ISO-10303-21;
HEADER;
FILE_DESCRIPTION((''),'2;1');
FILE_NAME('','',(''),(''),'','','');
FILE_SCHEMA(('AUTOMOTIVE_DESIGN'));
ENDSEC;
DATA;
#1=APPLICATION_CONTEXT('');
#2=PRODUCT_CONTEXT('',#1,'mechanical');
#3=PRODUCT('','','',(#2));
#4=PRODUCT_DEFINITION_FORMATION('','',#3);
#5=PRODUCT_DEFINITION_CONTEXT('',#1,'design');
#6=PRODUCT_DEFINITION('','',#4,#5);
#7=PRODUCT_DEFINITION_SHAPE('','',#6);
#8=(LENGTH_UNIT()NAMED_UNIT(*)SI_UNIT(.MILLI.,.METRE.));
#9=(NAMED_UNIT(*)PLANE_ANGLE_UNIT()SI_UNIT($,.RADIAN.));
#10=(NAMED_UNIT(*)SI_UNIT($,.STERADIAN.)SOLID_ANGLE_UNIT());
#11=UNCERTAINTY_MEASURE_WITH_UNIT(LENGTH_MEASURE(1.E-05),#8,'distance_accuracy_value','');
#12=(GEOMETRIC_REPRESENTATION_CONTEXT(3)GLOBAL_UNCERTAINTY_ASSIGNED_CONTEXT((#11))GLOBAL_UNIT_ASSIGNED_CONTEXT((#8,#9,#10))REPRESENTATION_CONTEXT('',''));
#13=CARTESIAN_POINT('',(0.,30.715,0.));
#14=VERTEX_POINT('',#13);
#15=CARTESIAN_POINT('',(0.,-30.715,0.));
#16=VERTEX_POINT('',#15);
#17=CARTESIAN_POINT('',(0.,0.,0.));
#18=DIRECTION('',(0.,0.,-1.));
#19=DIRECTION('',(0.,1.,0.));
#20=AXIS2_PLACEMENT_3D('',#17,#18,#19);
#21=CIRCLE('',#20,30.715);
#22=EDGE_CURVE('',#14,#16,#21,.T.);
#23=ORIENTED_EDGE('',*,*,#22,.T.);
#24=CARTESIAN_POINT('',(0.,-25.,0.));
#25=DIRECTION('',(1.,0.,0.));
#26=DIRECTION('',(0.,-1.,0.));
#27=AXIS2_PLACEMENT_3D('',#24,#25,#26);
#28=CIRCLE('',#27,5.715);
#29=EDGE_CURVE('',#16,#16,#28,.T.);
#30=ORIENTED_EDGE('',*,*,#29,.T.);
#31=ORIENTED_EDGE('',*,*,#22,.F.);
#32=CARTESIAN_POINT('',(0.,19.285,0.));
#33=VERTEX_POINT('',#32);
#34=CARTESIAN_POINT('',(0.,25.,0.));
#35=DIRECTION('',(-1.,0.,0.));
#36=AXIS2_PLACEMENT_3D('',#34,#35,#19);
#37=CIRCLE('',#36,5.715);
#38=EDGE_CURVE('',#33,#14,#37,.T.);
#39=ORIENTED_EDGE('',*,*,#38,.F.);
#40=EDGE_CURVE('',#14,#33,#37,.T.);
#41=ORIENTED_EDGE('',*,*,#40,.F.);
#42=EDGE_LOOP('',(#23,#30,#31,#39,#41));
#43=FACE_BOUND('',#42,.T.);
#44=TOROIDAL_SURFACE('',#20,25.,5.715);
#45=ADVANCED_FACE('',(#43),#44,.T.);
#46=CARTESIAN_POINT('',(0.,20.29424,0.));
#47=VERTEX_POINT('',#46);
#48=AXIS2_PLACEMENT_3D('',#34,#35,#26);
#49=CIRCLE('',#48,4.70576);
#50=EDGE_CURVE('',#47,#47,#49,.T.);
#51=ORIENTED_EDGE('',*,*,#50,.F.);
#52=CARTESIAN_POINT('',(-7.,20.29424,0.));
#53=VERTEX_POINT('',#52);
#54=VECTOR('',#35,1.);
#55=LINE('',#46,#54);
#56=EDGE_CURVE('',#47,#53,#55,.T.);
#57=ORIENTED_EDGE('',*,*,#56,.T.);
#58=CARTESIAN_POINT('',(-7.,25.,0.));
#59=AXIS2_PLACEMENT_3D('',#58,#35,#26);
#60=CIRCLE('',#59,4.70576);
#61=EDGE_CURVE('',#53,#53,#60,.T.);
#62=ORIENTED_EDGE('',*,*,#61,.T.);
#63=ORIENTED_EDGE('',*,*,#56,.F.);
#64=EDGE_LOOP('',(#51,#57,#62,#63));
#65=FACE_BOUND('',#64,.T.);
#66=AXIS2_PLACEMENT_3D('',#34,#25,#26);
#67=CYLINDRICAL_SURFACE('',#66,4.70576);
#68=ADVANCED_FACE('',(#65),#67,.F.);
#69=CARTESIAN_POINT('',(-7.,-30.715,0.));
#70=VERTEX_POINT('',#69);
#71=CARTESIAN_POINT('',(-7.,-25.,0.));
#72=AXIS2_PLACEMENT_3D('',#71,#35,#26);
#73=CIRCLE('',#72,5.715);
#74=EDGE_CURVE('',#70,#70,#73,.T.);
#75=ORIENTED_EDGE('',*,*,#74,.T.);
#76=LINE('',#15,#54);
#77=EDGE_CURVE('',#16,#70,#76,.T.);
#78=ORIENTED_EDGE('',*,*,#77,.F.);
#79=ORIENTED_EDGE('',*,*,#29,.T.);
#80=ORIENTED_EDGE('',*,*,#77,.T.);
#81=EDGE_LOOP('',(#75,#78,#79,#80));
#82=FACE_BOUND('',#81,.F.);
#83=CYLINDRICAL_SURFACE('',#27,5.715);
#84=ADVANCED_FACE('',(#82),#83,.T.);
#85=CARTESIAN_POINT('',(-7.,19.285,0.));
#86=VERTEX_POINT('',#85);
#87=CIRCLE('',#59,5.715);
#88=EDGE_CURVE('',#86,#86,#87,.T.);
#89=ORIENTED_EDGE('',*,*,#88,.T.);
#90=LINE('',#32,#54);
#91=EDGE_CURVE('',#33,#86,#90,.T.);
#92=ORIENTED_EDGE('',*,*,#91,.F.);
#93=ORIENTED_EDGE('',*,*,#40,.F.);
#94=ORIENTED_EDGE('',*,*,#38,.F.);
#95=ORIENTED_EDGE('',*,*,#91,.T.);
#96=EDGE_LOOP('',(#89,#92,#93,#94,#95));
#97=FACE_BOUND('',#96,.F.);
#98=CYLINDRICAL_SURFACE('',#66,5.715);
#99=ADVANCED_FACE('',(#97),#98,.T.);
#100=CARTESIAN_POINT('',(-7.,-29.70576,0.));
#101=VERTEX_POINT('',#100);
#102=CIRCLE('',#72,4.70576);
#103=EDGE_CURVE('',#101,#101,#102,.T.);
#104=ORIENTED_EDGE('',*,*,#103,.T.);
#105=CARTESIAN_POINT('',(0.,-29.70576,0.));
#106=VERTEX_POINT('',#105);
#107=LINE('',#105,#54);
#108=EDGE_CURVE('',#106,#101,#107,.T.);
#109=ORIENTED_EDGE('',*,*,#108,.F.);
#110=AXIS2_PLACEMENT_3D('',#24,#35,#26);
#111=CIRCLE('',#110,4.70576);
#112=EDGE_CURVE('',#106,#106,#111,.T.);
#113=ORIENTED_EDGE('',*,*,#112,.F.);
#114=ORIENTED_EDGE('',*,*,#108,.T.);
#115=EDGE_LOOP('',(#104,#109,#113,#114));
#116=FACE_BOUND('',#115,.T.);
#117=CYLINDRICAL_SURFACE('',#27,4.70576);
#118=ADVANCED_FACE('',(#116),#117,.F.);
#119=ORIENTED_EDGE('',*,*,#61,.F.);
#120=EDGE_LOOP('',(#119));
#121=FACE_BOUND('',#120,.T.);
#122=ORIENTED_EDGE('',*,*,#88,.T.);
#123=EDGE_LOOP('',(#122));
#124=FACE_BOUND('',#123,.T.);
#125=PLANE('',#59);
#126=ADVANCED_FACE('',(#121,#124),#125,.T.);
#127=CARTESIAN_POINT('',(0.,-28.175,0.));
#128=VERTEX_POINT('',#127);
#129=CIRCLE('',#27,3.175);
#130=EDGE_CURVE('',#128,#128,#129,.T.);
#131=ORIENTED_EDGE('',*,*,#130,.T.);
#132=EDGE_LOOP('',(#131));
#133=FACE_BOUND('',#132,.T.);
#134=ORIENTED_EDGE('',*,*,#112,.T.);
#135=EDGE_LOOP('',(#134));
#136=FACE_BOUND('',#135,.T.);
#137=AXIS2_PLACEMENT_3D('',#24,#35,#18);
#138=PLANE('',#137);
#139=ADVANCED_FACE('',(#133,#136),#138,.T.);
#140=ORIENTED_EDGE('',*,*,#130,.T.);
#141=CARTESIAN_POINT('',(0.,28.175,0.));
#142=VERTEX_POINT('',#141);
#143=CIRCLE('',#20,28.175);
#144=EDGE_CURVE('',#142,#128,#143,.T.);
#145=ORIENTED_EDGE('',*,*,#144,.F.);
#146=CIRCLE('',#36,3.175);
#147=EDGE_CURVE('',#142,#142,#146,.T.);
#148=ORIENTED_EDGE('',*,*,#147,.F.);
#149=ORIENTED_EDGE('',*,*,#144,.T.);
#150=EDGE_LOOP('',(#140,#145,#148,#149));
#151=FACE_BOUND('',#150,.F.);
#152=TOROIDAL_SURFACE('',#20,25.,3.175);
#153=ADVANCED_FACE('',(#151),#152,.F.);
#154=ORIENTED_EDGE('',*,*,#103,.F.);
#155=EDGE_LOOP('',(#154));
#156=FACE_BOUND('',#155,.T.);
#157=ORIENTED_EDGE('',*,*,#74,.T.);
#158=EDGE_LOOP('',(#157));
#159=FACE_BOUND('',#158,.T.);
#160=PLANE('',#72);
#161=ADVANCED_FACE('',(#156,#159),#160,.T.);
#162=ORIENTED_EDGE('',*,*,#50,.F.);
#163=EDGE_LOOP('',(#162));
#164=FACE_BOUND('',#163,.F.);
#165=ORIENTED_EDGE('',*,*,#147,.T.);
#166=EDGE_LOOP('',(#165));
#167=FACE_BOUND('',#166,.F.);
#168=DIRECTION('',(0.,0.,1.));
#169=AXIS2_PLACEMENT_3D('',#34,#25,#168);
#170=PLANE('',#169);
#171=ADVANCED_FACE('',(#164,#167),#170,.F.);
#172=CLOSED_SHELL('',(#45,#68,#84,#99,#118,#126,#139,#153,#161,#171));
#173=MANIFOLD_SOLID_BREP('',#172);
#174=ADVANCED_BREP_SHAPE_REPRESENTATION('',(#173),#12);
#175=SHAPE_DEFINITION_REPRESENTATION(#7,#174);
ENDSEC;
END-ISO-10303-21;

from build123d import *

# Parameters (mm, degrees)
F1_R     = 5.715
F1_R_2   = 3.175
F3_R     = 5.715
F3_R_2   = 4.70576
F4_DEPTH = 7


with BuildPart() as f2:
    # F2: sweep along a path in F0
    with BuildLine(Plane.XY) as f2_path:
        ThreePointArc((0, 25), (25, 0), (0, -25))
    # F1 (on Right) → F2 (sweep)
    with BuildSketch(Plane.YZ):
        with Locations((25, 0)):
            Circle(F1_R)
        with Locations((25, 0)):
            Circle(F1_R_2, mode=Mode.SUBTRACT)
    sweep(path=f2_path.line)

    # F3 (on face) → F4 (join)
    with BuildSketch(Plane(origin=(0, 0, 0), x_dir=(0, -1, 0), z_dir=(-1, 0, 0))):
        with Locations((25, 0)):
            Circle(F3_R)
        with Locations((25, 0)):
            Circle(F3_R_2, mode=Mode.SUBTRACT)
        with Locations((-25, 0)):
            Circle(F3_R)
        with Locations((-25, 0)):
            Circle(F3_R_2, mode=Mode.SUBTRACT)
    extrude(amount=F4_DEPTH)


solid = f2.part
